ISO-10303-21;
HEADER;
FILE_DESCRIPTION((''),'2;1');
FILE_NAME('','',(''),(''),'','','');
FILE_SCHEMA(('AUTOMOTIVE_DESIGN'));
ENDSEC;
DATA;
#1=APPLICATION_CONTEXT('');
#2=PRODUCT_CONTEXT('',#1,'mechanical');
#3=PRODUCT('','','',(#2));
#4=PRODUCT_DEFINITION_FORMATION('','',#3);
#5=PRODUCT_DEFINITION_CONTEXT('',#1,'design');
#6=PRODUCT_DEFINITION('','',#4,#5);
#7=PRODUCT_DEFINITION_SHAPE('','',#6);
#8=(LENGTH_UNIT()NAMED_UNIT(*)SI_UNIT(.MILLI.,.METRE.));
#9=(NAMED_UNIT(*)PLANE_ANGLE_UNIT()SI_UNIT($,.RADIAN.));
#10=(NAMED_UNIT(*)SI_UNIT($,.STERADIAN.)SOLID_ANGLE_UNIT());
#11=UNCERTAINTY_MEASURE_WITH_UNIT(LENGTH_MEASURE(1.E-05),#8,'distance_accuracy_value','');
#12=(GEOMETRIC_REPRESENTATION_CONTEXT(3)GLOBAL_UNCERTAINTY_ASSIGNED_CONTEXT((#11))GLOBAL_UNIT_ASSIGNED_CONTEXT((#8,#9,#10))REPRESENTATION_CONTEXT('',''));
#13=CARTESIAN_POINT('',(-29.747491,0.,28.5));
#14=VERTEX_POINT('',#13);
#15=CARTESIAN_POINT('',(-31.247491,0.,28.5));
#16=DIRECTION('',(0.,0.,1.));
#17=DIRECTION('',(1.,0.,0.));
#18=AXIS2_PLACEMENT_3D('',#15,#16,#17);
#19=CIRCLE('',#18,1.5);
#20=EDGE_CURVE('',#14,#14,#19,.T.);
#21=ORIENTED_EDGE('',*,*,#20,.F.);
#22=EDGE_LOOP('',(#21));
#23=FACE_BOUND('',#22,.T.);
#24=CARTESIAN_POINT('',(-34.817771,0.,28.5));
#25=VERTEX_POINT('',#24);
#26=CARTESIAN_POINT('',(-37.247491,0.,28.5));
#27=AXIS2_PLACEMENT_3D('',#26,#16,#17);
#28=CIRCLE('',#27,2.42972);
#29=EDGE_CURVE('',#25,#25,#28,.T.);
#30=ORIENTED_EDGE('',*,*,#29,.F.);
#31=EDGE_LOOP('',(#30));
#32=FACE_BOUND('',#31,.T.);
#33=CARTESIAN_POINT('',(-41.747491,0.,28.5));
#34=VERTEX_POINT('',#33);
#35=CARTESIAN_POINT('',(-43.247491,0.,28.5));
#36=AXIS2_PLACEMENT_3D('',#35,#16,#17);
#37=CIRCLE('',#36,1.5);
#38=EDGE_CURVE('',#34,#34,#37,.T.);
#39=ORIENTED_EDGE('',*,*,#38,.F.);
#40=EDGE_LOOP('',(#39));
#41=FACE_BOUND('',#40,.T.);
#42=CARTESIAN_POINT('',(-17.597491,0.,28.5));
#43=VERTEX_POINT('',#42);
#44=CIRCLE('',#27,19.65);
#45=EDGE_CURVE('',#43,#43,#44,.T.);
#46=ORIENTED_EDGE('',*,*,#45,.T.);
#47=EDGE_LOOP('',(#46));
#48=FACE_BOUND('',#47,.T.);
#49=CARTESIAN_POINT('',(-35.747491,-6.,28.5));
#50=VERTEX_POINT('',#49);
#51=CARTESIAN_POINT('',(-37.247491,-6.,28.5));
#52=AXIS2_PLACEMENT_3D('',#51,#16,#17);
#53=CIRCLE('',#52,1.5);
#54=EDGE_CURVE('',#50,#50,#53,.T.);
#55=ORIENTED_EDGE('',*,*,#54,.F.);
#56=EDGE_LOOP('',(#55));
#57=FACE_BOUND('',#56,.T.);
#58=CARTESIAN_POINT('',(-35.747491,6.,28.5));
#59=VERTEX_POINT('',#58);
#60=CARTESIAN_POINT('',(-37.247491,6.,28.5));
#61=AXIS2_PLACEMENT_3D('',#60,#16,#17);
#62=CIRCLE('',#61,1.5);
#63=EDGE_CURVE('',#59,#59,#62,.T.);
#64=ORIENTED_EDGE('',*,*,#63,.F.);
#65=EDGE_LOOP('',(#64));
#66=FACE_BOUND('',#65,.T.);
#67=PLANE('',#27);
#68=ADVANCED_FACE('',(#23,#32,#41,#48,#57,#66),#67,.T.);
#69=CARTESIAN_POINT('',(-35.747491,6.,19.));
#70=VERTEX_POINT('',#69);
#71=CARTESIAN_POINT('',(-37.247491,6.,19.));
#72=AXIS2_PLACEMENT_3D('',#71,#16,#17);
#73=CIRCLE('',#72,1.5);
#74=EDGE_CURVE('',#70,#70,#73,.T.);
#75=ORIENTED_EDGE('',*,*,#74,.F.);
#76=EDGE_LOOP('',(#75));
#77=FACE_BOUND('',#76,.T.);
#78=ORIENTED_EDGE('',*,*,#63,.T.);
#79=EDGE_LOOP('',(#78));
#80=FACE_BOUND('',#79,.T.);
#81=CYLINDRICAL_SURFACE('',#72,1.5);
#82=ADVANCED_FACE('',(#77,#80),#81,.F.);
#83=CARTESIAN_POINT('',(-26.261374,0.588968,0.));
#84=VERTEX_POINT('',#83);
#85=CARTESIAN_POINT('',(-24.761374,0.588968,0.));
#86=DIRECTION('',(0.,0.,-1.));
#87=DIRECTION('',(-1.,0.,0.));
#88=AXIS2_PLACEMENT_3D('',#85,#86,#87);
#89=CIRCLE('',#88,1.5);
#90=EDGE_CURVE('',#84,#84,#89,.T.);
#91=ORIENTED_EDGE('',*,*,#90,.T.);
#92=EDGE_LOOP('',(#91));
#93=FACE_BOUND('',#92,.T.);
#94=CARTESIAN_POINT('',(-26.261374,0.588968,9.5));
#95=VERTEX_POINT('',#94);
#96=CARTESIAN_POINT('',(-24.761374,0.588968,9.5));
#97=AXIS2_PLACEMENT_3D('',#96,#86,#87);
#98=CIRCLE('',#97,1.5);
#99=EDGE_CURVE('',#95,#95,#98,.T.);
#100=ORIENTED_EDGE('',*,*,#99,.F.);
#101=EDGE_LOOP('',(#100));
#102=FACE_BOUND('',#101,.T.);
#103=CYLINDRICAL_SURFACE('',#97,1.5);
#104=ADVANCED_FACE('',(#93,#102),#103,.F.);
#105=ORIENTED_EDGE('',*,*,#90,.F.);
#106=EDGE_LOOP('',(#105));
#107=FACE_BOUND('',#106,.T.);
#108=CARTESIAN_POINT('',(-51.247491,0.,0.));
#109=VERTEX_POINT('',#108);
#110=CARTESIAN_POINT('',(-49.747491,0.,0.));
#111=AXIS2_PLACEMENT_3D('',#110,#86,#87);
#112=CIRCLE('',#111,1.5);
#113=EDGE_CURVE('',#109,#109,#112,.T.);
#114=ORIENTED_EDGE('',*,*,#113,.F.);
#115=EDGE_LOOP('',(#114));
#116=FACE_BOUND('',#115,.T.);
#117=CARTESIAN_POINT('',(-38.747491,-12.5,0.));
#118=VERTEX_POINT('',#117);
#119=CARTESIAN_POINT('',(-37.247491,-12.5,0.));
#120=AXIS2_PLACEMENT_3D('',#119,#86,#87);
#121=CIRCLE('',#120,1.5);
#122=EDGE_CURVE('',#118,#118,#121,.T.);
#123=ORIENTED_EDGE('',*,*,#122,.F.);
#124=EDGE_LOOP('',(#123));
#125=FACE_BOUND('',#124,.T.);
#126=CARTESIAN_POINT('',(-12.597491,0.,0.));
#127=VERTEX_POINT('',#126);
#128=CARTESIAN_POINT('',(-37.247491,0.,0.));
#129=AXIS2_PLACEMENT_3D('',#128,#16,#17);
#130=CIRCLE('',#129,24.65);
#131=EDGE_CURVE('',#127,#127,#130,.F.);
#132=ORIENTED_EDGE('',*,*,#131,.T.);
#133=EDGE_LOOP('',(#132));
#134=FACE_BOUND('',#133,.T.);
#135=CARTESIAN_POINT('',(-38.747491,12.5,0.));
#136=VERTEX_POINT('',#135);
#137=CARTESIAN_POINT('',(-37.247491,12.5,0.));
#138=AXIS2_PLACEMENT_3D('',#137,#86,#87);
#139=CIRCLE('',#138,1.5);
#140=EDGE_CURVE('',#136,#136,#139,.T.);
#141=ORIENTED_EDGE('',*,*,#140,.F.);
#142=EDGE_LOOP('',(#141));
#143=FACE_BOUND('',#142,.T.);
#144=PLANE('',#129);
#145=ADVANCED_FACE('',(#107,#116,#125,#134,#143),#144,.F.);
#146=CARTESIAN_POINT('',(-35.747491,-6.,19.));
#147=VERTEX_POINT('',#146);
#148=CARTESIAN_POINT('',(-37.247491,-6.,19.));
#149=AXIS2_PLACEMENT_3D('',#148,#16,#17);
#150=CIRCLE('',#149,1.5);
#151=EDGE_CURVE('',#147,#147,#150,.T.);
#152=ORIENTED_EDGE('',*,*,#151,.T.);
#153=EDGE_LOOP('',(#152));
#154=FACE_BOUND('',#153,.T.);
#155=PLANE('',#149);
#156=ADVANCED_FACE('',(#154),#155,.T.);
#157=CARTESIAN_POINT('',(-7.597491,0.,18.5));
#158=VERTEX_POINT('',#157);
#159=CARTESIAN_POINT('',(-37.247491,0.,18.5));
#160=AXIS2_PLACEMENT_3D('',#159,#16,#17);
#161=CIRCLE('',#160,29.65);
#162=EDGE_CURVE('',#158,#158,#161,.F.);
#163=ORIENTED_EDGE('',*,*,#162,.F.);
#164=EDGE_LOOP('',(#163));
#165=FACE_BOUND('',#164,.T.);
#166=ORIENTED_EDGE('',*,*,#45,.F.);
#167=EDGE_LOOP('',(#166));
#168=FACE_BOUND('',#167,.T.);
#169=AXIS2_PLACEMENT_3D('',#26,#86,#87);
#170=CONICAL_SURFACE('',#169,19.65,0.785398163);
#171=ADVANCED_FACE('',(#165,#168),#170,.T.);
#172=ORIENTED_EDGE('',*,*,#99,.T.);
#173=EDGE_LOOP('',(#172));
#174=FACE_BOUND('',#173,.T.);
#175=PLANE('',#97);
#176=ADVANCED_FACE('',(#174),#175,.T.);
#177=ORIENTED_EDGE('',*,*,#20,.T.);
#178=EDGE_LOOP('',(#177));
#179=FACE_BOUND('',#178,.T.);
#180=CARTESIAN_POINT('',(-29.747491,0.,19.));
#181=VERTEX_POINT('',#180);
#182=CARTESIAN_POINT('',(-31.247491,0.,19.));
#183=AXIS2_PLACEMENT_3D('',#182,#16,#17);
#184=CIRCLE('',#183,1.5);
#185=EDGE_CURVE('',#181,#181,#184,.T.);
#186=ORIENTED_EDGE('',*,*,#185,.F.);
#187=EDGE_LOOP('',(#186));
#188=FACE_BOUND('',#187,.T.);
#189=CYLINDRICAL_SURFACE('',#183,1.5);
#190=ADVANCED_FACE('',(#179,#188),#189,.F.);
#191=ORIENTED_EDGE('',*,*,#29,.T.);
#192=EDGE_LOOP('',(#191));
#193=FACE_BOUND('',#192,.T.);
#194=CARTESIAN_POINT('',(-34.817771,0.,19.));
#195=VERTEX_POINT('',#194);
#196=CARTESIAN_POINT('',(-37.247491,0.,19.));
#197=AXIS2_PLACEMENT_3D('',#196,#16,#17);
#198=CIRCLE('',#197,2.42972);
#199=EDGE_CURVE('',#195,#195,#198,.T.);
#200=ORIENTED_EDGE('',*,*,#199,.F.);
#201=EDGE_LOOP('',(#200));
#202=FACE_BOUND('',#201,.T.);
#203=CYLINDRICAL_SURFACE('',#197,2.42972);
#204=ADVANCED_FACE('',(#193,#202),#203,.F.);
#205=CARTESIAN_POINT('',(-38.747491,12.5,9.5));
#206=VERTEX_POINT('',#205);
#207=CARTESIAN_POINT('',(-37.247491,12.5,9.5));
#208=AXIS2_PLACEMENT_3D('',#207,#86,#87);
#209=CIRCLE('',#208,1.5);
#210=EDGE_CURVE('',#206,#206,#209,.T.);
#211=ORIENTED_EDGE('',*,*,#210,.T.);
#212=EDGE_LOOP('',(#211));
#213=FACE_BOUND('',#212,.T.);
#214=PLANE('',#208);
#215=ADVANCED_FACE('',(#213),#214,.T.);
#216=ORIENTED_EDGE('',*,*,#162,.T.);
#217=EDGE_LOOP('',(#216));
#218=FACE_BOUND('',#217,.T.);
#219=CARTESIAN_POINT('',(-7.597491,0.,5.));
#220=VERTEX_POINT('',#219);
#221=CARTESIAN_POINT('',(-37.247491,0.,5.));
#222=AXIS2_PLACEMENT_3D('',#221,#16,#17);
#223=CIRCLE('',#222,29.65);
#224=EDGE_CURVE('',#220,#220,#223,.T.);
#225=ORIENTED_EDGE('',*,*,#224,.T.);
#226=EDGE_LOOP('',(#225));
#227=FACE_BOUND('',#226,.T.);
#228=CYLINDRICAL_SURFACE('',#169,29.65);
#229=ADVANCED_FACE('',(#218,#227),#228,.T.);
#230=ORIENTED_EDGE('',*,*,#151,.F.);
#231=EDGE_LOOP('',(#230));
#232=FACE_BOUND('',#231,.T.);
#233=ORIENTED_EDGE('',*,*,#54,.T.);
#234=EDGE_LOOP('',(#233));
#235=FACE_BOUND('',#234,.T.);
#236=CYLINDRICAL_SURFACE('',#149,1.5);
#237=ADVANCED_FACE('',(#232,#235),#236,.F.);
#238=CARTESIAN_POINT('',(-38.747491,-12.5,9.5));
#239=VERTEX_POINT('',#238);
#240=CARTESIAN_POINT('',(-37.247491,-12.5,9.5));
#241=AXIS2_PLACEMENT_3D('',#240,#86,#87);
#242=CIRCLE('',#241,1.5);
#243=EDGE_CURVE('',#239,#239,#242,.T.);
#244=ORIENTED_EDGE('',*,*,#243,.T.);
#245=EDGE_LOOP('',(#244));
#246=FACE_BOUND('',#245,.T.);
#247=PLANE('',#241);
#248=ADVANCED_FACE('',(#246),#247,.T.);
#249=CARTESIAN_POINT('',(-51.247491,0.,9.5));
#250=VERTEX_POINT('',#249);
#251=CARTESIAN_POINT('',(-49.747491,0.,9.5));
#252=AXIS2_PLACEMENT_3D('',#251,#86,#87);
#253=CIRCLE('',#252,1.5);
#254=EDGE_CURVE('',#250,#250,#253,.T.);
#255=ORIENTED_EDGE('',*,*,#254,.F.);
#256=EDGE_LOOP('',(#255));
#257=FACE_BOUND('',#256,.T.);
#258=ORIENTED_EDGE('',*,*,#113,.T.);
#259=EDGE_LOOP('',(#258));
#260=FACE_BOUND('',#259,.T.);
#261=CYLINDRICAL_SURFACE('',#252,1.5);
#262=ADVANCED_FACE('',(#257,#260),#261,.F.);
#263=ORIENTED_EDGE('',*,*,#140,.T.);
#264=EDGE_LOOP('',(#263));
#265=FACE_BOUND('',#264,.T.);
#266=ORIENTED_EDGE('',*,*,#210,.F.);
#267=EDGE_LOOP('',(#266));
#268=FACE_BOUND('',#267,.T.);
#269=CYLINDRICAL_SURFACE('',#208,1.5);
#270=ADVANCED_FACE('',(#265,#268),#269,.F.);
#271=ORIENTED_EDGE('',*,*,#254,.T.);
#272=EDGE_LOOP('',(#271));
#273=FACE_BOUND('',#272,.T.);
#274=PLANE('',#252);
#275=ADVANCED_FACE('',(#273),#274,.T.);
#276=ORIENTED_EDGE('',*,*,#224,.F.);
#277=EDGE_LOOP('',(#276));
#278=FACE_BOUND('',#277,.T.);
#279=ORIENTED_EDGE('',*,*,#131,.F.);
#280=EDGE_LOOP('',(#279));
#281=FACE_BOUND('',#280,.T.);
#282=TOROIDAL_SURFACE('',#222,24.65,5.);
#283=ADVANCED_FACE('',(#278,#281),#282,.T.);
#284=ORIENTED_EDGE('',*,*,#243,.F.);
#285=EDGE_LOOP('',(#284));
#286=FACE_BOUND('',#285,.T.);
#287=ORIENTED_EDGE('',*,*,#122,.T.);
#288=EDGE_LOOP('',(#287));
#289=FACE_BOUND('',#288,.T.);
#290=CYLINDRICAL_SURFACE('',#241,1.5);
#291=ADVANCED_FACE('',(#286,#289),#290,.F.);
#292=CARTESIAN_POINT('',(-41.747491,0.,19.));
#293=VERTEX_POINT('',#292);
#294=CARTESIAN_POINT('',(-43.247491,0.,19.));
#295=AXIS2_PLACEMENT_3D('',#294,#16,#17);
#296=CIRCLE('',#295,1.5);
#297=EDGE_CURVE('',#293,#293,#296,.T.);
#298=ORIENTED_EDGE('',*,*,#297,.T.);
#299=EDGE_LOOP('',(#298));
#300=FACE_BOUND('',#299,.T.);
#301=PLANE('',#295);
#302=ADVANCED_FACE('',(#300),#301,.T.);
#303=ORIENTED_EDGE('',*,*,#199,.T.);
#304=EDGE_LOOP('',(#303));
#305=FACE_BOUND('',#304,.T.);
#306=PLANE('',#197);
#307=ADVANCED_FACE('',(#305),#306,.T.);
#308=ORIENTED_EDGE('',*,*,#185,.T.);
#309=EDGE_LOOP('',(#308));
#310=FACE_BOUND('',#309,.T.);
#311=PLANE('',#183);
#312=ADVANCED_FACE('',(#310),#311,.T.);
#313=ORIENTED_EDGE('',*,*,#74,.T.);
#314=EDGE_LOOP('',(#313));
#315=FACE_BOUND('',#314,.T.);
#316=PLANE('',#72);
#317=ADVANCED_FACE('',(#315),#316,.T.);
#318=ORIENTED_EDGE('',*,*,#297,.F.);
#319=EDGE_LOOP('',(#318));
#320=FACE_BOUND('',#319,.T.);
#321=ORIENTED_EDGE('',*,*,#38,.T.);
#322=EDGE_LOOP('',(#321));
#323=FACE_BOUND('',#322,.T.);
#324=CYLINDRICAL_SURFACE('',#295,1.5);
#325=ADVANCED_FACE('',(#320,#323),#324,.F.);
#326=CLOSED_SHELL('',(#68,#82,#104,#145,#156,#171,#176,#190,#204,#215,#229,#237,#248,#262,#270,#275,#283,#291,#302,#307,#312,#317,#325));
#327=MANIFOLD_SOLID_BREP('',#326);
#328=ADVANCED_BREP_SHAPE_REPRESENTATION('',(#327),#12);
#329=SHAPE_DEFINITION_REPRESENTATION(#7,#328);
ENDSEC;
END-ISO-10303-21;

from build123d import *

# Parameters (mm, degrees)
SKETCH1_R           = 29.65
BOSS_EXTRUDE1_DEPTH = 28.5
CHAMFER1_SIZE       = 10
FILLET1_R           = 5
SKETCH2_R           = 1.5
SKETCH2_R_2         = 2.429720262
CUT_EXTRUDE1_DEPTH  = 9.5
SKETCH3_R           = 1.5
CUT_EXTRUDE2_DEPTH  = 9.5


with BuildPart() as part:
    # Sketch1 → Boss-Extrude1 (new body)
    with BuildSketch(Plane.XY):
        with Locations((-37.247490996, 0)):
            Circle(SKETCH1_R)
    extrude(amount=BOSS_EXTRUDE1_DEPTH)

    # Chamfer1
    chamfer1_edges = [part.edges().sort_by_distance(p)[0] for p in [
        (-66.897490996, 0, 28.5),
    ]]
    chamfer(chamfer1_edges, length=CHAMFER1_SIZE)

    # Fillet1
    fillet1_edges = [part.edges().sort_by_distance(p)[0] for p in [
        (-66.897490996, 0, 0),
    ]]
    fillet(fillet1_edges, radius=FILLET1_R)

    # Sketch2 → Cut-Extrude1 (cut)
    with BuildSketch(Plane.XY.offset(28.5)):
        with Locations((-37.247490996, 6)):
            Circle(SKETCH2_R)
        with Locations((-43.247490996, 0)):
            Circle(SKETCH2_R)
        with Locations((-37.247490996, -6)):
            Circle(SKETCH2_R)
        with Locations((-31.247490996, 0)):
            Circle(SKETCH2_R)
        with Locations((-37.247490996, 0)):
            Circle(SKETCH2_R_2)
    extrude(amount=-CUT_EXTRUDE1_DEPTH, mode=Mode.SUBTRACT)

    # Sketch3 → Cut-Extrude2 (cut)
    with BuildSketch(Plane(origin=(0, 0, 0), x_dir=(-1, 0, 0), z_dir=(0, 0, -1))):
        with Locations((37.247490996, 12.5)):
            Circle(SKETCH3_R)
        with Locations((49.747490996, 0)):
            Circle(SKETCH3_R)
        with Locations((24.761374027, 0.588967782)):
            Circle(SKETCH3_R)
        with Locations((37.247490996, -12.5)):
            Circle(SKETCH3_R)
    extrude(amount=-CUT_EXTRUDE2_DEPTH, mode=Mode.SUBTRACT)


solid = part.part
